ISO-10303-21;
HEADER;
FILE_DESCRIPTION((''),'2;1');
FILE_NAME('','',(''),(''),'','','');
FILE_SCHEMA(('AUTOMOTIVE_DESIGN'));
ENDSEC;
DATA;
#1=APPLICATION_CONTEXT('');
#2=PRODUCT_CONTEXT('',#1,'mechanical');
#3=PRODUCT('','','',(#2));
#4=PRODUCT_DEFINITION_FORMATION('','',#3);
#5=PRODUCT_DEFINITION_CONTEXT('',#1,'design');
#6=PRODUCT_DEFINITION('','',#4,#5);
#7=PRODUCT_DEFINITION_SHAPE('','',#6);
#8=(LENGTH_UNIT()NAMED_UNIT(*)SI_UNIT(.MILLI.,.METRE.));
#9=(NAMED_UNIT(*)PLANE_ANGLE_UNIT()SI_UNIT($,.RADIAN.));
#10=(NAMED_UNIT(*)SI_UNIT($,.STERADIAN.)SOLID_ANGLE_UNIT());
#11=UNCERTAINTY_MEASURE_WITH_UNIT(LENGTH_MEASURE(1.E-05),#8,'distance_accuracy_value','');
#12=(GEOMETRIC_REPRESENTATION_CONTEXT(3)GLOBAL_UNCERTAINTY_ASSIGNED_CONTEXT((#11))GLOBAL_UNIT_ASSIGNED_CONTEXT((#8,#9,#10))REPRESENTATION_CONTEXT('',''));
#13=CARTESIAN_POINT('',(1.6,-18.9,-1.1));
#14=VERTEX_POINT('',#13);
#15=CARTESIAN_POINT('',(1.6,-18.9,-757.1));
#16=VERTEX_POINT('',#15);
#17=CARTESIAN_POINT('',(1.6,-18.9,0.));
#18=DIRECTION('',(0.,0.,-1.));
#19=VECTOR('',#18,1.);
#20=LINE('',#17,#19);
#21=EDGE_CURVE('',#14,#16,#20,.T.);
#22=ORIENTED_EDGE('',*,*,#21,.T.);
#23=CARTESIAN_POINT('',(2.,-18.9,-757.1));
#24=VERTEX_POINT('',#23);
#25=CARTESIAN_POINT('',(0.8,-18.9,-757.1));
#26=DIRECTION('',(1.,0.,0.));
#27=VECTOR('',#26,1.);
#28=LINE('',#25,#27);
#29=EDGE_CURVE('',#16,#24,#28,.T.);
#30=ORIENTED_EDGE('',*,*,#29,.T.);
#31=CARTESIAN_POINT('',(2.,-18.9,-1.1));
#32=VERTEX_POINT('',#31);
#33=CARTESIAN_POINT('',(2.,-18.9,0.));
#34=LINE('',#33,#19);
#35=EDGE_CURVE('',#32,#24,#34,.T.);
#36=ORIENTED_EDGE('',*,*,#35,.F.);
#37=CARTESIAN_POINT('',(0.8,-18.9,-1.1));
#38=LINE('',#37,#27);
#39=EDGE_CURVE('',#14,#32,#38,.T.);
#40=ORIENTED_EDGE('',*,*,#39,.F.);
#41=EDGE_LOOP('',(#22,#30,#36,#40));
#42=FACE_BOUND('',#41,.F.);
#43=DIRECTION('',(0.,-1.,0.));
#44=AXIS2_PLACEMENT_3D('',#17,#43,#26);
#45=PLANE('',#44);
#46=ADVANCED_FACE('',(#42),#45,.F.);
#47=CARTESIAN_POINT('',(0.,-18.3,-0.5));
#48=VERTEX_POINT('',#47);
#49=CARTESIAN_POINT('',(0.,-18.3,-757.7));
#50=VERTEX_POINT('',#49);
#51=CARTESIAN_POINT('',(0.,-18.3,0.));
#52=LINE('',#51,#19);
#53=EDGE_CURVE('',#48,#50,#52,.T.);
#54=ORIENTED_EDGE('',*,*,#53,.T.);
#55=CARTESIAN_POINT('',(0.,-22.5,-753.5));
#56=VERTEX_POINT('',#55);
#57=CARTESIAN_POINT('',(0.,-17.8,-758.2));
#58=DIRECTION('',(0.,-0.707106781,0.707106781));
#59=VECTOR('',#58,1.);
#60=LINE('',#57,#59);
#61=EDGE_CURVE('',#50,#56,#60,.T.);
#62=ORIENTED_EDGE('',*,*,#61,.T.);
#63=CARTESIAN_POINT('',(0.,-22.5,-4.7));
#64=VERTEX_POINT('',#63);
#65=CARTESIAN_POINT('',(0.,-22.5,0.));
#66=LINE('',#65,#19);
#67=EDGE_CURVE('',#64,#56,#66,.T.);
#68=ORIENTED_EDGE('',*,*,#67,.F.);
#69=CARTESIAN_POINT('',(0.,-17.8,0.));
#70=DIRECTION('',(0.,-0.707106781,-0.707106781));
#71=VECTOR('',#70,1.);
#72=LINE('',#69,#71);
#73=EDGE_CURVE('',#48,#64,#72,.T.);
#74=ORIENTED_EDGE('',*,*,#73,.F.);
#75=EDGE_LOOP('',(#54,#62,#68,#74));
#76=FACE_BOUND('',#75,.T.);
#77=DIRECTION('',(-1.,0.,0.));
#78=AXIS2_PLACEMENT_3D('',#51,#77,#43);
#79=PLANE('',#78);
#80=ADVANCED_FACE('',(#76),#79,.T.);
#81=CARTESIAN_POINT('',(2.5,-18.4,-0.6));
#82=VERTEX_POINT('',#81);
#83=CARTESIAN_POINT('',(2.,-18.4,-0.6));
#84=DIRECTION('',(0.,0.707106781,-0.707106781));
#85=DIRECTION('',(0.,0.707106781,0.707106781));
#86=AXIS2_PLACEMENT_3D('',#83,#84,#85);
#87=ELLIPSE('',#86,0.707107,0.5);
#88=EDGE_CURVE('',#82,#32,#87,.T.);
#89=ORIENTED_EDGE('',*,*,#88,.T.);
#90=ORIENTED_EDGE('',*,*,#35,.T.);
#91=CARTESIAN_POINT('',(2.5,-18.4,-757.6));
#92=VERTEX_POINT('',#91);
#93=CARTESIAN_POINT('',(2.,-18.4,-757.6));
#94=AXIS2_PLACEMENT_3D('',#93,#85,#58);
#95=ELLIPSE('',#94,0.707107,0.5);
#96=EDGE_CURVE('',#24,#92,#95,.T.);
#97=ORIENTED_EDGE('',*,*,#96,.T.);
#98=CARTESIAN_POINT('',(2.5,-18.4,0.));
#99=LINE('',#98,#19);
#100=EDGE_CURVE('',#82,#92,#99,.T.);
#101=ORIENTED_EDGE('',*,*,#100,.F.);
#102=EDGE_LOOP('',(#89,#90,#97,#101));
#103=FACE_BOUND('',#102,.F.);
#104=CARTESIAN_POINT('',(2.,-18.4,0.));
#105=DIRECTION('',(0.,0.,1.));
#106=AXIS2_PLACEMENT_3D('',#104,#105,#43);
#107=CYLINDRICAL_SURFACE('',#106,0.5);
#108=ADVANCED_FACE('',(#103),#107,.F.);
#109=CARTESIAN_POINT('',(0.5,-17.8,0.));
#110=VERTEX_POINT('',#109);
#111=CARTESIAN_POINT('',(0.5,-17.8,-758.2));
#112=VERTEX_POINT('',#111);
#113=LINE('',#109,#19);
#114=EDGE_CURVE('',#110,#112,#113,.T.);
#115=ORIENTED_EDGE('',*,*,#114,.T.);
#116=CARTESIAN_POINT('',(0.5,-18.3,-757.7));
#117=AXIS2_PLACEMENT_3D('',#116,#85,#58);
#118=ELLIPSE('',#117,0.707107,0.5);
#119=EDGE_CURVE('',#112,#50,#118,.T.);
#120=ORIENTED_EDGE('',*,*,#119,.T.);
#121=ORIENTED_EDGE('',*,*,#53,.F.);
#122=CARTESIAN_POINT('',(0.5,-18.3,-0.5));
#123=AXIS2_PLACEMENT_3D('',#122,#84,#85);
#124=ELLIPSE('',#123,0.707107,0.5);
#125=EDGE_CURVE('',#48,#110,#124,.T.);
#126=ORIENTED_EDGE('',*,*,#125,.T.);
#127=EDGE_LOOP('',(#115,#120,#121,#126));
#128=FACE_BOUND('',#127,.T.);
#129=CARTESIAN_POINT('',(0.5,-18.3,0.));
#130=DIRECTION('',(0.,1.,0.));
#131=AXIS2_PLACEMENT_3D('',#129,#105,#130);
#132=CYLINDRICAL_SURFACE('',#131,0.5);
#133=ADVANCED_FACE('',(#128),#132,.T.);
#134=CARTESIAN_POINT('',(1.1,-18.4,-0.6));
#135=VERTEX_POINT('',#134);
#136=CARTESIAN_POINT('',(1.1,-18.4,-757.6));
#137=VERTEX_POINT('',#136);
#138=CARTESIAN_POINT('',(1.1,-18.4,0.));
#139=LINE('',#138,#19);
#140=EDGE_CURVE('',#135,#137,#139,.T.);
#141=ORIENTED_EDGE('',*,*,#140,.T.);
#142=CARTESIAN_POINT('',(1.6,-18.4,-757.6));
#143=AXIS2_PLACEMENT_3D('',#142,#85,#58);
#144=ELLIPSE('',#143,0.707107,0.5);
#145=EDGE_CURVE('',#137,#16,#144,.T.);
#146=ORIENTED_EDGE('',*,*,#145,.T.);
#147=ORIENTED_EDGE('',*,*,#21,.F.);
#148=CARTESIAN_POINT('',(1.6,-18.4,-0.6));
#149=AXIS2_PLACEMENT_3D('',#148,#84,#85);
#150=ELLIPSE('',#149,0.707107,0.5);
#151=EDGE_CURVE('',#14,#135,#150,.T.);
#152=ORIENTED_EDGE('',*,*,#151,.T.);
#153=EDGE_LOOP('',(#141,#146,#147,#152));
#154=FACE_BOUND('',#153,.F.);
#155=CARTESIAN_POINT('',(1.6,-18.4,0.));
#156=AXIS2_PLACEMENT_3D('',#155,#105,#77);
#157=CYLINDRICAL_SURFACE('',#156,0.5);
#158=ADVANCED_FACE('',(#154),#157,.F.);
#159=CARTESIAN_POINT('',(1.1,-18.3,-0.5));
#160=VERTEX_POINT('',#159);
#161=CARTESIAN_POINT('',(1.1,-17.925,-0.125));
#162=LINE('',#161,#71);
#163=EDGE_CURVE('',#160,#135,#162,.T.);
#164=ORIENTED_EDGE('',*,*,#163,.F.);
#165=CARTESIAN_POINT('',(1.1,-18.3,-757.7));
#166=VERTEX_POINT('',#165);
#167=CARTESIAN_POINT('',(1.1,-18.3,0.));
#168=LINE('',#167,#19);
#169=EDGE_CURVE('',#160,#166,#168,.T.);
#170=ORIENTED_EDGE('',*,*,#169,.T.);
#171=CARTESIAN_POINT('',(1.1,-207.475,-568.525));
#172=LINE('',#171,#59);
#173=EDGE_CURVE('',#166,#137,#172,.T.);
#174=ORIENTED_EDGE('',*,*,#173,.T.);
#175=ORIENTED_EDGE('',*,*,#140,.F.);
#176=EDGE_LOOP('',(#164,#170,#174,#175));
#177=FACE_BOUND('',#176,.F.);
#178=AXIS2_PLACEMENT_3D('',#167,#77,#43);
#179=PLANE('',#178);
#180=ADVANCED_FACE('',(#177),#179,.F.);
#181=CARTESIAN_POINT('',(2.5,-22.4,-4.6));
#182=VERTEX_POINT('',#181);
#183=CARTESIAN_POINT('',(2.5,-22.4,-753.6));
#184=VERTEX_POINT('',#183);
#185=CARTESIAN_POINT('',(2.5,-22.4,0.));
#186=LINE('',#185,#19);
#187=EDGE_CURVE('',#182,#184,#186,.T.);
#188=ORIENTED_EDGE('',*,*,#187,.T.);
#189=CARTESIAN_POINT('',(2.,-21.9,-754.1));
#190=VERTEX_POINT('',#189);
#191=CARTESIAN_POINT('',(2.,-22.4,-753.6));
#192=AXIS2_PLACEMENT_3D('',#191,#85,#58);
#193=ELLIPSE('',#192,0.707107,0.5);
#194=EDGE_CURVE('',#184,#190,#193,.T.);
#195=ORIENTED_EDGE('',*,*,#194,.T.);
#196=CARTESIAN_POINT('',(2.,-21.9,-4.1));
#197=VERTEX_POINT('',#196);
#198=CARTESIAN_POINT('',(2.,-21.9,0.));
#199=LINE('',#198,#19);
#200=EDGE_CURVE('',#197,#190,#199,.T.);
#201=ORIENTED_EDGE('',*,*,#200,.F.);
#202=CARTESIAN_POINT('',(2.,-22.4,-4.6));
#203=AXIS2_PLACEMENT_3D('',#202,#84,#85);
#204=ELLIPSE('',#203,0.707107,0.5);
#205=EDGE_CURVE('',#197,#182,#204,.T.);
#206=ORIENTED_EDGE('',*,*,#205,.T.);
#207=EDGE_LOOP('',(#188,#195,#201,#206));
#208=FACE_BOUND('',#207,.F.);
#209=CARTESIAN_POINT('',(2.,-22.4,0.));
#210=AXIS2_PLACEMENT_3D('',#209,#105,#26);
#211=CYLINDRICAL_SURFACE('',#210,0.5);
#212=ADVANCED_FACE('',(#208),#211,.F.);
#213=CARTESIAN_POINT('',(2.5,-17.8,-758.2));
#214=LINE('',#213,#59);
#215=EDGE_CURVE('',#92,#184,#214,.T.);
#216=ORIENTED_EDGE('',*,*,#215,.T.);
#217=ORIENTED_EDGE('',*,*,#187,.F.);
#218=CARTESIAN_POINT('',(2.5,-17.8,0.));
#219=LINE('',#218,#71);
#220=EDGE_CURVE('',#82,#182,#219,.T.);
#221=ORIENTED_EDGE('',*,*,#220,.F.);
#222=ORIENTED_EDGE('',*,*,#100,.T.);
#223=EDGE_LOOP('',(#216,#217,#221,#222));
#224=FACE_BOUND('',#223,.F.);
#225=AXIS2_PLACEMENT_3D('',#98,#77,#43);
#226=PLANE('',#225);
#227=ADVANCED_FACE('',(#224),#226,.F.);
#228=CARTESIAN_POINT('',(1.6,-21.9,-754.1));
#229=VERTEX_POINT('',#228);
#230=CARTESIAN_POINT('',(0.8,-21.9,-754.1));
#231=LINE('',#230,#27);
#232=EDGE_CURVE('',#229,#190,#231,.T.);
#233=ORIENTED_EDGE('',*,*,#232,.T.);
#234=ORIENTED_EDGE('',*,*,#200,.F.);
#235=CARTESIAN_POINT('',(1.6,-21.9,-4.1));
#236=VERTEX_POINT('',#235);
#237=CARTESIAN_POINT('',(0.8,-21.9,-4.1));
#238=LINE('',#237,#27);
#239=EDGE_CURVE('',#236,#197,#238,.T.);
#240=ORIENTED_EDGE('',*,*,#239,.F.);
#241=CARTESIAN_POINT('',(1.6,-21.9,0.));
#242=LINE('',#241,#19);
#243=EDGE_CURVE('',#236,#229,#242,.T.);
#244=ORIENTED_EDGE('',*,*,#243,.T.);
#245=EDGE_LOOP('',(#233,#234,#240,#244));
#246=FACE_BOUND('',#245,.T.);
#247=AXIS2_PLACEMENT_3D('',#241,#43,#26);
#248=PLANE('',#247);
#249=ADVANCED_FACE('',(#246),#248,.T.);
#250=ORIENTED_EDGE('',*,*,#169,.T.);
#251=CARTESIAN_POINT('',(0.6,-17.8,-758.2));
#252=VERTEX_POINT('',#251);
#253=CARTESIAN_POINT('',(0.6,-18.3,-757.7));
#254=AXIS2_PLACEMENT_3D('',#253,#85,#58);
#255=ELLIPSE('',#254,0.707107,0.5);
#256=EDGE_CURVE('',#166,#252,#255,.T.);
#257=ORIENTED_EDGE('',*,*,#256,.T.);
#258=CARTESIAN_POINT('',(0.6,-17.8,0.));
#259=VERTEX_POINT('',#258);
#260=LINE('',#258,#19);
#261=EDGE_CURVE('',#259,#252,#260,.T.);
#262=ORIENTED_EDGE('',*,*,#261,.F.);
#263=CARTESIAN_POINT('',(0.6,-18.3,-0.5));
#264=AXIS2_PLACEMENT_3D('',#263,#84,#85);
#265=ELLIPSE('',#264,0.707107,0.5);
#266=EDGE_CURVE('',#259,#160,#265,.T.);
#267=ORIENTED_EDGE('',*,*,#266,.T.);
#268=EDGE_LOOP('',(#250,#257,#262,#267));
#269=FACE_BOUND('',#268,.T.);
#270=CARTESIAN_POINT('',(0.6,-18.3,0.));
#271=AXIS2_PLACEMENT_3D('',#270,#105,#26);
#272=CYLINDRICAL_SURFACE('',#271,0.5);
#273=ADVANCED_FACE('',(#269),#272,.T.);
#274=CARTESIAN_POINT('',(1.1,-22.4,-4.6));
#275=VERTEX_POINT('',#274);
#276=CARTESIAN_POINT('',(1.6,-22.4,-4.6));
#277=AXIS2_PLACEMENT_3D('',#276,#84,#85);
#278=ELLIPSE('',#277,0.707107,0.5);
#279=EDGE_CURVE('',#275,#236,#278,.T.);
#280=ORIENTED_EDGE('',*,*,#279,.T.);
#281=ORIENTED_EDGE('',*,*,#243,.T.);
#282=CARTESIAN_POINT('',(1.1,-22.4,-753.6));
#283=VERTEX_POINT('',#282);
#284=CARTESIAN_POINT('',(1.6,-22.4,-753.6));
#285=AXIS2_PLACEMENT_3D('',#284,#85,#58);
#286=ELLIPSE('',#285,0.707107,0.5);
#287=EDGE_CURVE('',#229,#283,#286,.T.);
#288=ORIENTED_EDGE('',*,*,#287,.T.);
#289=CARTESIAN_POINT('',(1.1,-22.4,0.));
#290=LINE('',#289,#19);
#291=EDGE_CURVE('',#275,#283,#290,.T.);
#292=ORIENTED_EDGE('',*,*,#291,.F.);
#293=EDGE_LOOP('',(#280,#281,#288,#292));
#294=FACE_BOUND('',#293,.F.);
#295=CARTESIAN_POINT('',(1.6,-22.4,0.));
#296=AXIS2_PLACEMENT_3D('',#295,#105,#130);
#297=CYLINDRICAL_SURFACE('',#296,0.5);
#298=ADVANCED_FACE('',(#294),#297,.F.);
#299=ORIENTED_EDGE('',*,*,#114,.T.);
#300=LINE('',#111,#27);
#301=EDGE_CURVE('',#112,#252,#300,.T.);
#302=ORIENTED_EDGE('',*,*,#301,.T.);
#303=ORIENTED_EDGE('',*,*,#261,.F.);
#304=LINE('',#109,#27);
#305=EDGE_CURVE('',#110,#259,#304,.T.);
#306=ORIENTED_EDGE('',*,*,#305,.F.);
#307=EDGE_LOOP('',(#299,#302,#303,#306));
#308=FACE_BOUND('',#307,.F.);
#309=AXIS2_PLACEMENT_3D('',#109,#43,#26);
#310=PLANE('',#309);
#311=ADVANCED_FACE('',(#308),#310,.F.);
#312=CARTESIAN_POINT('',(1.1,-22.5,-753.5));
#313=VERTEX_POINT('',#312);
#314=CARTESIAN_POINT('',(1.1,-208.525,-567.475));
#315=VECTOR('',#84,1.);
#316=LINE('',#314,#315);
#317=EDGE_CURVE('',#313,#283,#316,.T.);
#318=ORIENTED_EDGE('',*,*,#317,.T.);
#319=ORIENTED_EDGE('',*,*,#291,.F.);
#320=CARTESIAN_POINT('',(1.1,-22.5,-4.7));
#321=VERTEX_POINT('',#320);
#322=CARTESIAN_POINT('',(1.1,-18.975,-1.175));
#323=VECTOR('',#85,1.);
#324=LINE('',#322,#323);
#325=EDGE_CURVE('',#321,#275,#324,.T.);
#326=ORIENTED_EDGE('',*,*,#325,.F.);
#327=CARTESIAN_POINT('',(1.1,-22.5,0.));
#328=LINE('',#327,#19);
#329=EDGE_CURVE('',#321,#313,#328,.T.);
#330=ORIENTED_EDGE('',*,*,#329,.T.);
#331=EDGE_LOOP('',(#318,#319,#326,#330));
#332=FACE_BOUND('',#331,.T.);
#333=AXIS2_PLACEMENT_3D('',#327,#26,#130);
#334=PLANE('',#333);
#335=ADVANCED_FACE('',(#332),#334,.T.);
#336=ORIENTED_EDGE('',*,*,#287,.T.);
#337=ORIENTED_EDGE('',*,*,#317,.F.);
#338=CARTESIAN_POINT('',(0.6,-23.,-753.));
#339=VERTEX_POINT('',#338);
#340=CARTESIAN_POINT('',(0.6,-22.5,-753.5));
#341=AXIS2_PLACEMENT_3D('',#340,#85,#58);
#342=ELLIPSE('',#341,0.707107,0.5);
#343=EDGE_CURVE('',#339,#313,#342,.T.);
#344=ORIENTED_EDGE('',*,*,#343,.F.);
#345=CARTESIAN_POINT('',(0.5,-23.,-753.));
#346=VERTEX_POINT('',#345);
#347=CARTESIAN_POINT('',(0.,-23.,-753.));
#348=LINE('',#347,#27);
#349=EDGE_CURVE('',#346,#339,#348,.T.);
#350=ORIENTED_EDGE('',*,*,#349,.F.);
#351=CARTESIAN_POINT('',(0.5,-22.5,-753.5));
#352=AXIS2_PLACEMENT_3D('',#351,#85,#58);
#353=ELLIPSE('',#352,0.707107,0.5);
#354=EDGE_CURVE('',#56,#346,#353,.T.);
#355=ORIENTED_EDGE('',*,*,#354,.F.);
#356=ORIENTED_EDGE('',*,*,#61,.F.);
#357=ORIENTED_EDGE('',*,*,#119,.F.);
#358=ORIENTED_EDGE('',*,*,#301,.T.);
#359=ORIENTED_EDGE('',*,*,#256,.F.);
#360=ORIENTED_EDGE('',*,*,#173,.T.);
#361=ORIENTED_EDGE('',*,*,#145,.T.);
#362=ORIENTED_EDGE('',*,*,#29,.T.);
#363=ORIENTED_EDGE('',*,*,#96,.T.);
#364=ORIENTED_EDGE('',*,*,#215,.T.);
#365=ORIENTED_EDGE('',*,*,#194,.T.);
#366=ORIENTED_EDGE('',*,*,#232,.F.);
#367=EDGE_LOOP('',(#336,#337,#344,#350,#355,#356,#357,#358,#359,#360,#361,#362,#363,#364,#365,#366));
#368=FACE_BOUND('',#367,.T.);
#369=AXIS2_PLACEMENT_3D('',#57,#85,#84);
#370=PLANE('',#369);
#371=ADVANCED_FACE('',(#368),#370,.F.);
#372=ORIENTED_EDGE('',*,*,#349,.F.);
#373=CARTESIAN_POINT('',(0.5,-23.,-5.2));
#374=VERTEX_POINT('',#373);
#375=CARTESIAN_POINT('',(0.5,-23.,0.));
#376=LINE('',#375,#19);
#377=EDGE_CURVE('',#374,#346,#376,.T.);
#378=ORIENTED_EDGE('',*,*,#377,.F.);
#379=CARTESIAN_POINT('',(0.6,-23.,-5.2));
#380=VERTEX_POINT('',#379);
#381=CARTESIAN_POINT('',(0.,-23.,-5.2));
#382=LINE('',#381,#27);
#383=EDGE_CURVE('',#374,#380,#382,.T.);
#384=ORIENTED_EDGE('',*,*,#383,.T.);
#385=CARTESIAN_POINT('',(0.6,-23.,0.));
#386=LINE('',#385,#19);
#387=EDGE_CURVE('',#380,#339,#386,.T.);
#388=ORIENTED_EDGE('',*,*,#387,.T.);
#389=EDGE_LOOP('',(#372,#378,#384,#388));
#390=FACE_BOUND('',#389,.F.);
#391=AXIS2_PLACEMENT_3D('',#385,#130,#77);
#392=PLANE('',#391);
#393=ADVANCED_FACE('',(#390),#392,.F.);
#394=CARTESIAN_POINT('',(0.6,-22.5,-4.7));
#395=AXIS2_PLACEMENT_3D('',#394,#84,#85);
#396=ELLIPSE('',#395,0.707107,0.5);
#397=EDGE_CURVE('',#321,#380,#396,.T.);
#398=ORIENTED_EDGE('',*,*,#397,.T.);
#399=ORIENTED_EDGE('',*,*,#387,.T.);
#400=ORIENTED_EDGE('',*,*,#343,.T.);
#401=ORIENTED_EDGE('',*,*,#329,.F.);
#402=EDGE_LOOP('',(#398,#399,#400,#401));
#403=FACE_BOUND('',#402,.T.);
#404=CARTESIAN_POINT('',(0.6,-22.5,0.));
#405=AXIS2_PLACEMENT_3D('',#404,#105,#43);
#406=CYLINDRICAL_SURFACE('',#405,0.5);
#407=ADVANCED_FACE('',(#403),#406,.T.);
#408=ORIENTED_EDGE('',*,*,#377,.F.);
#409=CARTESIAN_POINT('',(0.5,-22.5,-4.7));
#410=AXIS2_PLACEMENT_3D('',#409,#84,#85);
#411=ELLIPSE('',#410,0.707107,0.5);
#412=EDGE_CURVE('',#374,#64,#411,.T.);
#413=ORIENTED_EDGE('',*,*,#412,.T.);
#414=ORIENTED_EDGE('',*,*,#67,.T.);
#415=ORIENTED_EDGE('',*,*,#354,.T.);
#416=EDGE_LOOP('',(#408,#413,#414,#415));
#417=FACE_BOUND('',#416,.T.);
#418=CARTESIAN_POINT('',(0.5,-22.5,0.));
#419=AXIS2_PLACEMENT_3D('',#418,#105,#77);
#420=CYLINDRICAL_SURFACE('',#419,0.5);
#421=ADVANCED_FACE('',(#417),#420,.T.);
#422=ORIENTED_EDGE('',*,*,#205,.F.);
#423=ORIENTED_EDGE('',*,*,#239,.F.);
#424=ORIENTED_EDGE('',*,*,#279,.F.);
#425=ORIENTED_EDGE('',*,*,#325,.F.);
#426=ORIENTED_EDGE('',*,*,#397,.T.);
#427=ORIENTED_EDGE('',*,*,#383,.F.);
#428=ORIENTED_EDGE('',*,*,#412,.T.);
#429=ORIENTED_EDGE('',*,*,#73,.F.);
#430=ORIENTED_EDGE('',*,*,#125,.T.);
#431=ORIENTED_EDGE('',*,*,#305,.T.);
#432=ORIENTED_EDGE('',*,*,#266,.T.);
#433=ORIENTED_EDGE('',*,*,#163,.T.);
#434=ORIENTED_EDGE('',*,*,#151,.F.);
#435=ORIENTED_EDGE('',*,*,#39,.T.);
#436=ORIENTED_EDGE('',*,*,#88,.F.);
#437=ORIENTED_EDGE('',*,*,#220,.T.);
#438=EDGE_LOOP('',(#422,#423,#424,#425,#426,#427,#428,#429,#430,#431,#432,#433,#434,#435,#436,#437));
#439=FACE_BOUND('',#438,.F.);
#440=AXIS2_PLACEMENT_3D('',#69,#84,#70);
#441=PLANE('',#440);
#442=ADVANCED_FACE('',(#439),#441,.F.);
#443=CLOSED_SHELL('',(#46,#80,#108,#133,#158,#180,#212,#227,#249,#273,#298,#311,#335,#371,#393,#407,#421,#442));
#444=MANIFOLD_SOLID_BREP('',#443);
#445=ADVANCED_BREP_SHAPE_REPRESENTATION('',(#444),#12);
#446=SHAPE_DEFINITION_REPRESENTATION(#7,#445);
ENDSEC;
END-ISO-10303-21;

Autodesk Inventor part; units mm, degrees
ref_plane "YZ Plane" through (0, 0, 0) normal (1, 0, 0) x (0, 1, 0)
ref_plane "XZ Plane" through (0, 0, 0) normal (0, 1, 0) x (-1, 0, 0)
sketch "Boceto1" plane through (0, 0, 0) normal (0, 0, 1) x (1, 0, 0)
  line L0 (0.6, -23) -> (0.5, -23)
  line L1 (0.5, -17.8) -> (0.6, -17.8)
  line L2 (1.1, -18.3) -> (1.1, -18.4)
  line L3 (1.6, -18.9) -> (2, -18.9)
  line L4 (1.1, -22.5) -> (1.1, -22.4)
  line L5 (1.6, -21.9) -> (2, -21.9)
  line L6 (0, -18.3) -> (0, -22.5)
  arc A0 (1.1, -18.4) -> (1.6, -18.9) centre (1.6, -18.4) ccw
  arc A1 (1.1, -18.3) -> (0.6, -17.8) centre (0.6, -18.3) ccw
  arc A2 (2, -18.9) -> (2.5, -18.4) centre (2, -18.4) ccw
  arc A3 (2.5, -22.4) -> (2, -21.9) centre (2, -22.4) ccw
  arc A4 (1.6, -21.9) -> (1.1, -22.4) centre (1.6, -22.4) ccw
  arc A5 (0.6, -23) -> (1.1, -22.5) centre (0.6, -22.5) ccw
  arc A6 (0, -22.5) -> (0.5, -23) centre (0.5, -22.5) ccw
  arc A7 (0.5, -17.8) -> (0, -18.3) centre (0.5, -18.3) ccw
  line L7 (2.5, -18.4) -> (2.5, -22.4)
  point P0 (0, -23)
  point P1 (0, -17.8)
  point P2 (1.1, -21.9)
  point P3 (0, -20.4)
  dimension "d112" = 5.2
  dimension "d115" = 2.6
  dimension "d116" = 2.6
  dimension "d117" = 1.5
  dimension "d118" = 1.5
  dimension "d119" = 3
  dimension "d125" = 1.1
  dimension "d132" = 0.5
  dimension "d133" = 0.5
  dimension "d141" = 0.5
extrude "Extrusión1" add sketch "Boceto1" against normal blind 758.2
ref_plane "Plano de trabajo2" through (0, 0, -379.1) normal (0, 0, 1) x (1, 0, 0)
sketch "Boceto2" plane through (0, -22.9, 1299.8) normal (-1, 0, 0) x (0, 0, 1)
  line L0 (-1299.8, -0.1) -> (-1299.8, 5.1)
  line L1 (-1299.8, -0.1) -> (-2058, -0.1) projected
  line L2 (-1299.8, -0.1) -> (-1305, -0.1)
  line L3 (-1299.8, 5.1) -> (-1305, -0.1)
  dimension "d146" = 45
extrude "Extrusión2" cut sketch "Boceto2" against normal up to surface (2.5 mm away)
mirror "Simetría1" about plane through (0, 0, -379.1) normal (0, 0, 1) of "Extrusión2"
properties part number "SP40-02 JUNTA EXT 2058" material "Caucho, negro"
